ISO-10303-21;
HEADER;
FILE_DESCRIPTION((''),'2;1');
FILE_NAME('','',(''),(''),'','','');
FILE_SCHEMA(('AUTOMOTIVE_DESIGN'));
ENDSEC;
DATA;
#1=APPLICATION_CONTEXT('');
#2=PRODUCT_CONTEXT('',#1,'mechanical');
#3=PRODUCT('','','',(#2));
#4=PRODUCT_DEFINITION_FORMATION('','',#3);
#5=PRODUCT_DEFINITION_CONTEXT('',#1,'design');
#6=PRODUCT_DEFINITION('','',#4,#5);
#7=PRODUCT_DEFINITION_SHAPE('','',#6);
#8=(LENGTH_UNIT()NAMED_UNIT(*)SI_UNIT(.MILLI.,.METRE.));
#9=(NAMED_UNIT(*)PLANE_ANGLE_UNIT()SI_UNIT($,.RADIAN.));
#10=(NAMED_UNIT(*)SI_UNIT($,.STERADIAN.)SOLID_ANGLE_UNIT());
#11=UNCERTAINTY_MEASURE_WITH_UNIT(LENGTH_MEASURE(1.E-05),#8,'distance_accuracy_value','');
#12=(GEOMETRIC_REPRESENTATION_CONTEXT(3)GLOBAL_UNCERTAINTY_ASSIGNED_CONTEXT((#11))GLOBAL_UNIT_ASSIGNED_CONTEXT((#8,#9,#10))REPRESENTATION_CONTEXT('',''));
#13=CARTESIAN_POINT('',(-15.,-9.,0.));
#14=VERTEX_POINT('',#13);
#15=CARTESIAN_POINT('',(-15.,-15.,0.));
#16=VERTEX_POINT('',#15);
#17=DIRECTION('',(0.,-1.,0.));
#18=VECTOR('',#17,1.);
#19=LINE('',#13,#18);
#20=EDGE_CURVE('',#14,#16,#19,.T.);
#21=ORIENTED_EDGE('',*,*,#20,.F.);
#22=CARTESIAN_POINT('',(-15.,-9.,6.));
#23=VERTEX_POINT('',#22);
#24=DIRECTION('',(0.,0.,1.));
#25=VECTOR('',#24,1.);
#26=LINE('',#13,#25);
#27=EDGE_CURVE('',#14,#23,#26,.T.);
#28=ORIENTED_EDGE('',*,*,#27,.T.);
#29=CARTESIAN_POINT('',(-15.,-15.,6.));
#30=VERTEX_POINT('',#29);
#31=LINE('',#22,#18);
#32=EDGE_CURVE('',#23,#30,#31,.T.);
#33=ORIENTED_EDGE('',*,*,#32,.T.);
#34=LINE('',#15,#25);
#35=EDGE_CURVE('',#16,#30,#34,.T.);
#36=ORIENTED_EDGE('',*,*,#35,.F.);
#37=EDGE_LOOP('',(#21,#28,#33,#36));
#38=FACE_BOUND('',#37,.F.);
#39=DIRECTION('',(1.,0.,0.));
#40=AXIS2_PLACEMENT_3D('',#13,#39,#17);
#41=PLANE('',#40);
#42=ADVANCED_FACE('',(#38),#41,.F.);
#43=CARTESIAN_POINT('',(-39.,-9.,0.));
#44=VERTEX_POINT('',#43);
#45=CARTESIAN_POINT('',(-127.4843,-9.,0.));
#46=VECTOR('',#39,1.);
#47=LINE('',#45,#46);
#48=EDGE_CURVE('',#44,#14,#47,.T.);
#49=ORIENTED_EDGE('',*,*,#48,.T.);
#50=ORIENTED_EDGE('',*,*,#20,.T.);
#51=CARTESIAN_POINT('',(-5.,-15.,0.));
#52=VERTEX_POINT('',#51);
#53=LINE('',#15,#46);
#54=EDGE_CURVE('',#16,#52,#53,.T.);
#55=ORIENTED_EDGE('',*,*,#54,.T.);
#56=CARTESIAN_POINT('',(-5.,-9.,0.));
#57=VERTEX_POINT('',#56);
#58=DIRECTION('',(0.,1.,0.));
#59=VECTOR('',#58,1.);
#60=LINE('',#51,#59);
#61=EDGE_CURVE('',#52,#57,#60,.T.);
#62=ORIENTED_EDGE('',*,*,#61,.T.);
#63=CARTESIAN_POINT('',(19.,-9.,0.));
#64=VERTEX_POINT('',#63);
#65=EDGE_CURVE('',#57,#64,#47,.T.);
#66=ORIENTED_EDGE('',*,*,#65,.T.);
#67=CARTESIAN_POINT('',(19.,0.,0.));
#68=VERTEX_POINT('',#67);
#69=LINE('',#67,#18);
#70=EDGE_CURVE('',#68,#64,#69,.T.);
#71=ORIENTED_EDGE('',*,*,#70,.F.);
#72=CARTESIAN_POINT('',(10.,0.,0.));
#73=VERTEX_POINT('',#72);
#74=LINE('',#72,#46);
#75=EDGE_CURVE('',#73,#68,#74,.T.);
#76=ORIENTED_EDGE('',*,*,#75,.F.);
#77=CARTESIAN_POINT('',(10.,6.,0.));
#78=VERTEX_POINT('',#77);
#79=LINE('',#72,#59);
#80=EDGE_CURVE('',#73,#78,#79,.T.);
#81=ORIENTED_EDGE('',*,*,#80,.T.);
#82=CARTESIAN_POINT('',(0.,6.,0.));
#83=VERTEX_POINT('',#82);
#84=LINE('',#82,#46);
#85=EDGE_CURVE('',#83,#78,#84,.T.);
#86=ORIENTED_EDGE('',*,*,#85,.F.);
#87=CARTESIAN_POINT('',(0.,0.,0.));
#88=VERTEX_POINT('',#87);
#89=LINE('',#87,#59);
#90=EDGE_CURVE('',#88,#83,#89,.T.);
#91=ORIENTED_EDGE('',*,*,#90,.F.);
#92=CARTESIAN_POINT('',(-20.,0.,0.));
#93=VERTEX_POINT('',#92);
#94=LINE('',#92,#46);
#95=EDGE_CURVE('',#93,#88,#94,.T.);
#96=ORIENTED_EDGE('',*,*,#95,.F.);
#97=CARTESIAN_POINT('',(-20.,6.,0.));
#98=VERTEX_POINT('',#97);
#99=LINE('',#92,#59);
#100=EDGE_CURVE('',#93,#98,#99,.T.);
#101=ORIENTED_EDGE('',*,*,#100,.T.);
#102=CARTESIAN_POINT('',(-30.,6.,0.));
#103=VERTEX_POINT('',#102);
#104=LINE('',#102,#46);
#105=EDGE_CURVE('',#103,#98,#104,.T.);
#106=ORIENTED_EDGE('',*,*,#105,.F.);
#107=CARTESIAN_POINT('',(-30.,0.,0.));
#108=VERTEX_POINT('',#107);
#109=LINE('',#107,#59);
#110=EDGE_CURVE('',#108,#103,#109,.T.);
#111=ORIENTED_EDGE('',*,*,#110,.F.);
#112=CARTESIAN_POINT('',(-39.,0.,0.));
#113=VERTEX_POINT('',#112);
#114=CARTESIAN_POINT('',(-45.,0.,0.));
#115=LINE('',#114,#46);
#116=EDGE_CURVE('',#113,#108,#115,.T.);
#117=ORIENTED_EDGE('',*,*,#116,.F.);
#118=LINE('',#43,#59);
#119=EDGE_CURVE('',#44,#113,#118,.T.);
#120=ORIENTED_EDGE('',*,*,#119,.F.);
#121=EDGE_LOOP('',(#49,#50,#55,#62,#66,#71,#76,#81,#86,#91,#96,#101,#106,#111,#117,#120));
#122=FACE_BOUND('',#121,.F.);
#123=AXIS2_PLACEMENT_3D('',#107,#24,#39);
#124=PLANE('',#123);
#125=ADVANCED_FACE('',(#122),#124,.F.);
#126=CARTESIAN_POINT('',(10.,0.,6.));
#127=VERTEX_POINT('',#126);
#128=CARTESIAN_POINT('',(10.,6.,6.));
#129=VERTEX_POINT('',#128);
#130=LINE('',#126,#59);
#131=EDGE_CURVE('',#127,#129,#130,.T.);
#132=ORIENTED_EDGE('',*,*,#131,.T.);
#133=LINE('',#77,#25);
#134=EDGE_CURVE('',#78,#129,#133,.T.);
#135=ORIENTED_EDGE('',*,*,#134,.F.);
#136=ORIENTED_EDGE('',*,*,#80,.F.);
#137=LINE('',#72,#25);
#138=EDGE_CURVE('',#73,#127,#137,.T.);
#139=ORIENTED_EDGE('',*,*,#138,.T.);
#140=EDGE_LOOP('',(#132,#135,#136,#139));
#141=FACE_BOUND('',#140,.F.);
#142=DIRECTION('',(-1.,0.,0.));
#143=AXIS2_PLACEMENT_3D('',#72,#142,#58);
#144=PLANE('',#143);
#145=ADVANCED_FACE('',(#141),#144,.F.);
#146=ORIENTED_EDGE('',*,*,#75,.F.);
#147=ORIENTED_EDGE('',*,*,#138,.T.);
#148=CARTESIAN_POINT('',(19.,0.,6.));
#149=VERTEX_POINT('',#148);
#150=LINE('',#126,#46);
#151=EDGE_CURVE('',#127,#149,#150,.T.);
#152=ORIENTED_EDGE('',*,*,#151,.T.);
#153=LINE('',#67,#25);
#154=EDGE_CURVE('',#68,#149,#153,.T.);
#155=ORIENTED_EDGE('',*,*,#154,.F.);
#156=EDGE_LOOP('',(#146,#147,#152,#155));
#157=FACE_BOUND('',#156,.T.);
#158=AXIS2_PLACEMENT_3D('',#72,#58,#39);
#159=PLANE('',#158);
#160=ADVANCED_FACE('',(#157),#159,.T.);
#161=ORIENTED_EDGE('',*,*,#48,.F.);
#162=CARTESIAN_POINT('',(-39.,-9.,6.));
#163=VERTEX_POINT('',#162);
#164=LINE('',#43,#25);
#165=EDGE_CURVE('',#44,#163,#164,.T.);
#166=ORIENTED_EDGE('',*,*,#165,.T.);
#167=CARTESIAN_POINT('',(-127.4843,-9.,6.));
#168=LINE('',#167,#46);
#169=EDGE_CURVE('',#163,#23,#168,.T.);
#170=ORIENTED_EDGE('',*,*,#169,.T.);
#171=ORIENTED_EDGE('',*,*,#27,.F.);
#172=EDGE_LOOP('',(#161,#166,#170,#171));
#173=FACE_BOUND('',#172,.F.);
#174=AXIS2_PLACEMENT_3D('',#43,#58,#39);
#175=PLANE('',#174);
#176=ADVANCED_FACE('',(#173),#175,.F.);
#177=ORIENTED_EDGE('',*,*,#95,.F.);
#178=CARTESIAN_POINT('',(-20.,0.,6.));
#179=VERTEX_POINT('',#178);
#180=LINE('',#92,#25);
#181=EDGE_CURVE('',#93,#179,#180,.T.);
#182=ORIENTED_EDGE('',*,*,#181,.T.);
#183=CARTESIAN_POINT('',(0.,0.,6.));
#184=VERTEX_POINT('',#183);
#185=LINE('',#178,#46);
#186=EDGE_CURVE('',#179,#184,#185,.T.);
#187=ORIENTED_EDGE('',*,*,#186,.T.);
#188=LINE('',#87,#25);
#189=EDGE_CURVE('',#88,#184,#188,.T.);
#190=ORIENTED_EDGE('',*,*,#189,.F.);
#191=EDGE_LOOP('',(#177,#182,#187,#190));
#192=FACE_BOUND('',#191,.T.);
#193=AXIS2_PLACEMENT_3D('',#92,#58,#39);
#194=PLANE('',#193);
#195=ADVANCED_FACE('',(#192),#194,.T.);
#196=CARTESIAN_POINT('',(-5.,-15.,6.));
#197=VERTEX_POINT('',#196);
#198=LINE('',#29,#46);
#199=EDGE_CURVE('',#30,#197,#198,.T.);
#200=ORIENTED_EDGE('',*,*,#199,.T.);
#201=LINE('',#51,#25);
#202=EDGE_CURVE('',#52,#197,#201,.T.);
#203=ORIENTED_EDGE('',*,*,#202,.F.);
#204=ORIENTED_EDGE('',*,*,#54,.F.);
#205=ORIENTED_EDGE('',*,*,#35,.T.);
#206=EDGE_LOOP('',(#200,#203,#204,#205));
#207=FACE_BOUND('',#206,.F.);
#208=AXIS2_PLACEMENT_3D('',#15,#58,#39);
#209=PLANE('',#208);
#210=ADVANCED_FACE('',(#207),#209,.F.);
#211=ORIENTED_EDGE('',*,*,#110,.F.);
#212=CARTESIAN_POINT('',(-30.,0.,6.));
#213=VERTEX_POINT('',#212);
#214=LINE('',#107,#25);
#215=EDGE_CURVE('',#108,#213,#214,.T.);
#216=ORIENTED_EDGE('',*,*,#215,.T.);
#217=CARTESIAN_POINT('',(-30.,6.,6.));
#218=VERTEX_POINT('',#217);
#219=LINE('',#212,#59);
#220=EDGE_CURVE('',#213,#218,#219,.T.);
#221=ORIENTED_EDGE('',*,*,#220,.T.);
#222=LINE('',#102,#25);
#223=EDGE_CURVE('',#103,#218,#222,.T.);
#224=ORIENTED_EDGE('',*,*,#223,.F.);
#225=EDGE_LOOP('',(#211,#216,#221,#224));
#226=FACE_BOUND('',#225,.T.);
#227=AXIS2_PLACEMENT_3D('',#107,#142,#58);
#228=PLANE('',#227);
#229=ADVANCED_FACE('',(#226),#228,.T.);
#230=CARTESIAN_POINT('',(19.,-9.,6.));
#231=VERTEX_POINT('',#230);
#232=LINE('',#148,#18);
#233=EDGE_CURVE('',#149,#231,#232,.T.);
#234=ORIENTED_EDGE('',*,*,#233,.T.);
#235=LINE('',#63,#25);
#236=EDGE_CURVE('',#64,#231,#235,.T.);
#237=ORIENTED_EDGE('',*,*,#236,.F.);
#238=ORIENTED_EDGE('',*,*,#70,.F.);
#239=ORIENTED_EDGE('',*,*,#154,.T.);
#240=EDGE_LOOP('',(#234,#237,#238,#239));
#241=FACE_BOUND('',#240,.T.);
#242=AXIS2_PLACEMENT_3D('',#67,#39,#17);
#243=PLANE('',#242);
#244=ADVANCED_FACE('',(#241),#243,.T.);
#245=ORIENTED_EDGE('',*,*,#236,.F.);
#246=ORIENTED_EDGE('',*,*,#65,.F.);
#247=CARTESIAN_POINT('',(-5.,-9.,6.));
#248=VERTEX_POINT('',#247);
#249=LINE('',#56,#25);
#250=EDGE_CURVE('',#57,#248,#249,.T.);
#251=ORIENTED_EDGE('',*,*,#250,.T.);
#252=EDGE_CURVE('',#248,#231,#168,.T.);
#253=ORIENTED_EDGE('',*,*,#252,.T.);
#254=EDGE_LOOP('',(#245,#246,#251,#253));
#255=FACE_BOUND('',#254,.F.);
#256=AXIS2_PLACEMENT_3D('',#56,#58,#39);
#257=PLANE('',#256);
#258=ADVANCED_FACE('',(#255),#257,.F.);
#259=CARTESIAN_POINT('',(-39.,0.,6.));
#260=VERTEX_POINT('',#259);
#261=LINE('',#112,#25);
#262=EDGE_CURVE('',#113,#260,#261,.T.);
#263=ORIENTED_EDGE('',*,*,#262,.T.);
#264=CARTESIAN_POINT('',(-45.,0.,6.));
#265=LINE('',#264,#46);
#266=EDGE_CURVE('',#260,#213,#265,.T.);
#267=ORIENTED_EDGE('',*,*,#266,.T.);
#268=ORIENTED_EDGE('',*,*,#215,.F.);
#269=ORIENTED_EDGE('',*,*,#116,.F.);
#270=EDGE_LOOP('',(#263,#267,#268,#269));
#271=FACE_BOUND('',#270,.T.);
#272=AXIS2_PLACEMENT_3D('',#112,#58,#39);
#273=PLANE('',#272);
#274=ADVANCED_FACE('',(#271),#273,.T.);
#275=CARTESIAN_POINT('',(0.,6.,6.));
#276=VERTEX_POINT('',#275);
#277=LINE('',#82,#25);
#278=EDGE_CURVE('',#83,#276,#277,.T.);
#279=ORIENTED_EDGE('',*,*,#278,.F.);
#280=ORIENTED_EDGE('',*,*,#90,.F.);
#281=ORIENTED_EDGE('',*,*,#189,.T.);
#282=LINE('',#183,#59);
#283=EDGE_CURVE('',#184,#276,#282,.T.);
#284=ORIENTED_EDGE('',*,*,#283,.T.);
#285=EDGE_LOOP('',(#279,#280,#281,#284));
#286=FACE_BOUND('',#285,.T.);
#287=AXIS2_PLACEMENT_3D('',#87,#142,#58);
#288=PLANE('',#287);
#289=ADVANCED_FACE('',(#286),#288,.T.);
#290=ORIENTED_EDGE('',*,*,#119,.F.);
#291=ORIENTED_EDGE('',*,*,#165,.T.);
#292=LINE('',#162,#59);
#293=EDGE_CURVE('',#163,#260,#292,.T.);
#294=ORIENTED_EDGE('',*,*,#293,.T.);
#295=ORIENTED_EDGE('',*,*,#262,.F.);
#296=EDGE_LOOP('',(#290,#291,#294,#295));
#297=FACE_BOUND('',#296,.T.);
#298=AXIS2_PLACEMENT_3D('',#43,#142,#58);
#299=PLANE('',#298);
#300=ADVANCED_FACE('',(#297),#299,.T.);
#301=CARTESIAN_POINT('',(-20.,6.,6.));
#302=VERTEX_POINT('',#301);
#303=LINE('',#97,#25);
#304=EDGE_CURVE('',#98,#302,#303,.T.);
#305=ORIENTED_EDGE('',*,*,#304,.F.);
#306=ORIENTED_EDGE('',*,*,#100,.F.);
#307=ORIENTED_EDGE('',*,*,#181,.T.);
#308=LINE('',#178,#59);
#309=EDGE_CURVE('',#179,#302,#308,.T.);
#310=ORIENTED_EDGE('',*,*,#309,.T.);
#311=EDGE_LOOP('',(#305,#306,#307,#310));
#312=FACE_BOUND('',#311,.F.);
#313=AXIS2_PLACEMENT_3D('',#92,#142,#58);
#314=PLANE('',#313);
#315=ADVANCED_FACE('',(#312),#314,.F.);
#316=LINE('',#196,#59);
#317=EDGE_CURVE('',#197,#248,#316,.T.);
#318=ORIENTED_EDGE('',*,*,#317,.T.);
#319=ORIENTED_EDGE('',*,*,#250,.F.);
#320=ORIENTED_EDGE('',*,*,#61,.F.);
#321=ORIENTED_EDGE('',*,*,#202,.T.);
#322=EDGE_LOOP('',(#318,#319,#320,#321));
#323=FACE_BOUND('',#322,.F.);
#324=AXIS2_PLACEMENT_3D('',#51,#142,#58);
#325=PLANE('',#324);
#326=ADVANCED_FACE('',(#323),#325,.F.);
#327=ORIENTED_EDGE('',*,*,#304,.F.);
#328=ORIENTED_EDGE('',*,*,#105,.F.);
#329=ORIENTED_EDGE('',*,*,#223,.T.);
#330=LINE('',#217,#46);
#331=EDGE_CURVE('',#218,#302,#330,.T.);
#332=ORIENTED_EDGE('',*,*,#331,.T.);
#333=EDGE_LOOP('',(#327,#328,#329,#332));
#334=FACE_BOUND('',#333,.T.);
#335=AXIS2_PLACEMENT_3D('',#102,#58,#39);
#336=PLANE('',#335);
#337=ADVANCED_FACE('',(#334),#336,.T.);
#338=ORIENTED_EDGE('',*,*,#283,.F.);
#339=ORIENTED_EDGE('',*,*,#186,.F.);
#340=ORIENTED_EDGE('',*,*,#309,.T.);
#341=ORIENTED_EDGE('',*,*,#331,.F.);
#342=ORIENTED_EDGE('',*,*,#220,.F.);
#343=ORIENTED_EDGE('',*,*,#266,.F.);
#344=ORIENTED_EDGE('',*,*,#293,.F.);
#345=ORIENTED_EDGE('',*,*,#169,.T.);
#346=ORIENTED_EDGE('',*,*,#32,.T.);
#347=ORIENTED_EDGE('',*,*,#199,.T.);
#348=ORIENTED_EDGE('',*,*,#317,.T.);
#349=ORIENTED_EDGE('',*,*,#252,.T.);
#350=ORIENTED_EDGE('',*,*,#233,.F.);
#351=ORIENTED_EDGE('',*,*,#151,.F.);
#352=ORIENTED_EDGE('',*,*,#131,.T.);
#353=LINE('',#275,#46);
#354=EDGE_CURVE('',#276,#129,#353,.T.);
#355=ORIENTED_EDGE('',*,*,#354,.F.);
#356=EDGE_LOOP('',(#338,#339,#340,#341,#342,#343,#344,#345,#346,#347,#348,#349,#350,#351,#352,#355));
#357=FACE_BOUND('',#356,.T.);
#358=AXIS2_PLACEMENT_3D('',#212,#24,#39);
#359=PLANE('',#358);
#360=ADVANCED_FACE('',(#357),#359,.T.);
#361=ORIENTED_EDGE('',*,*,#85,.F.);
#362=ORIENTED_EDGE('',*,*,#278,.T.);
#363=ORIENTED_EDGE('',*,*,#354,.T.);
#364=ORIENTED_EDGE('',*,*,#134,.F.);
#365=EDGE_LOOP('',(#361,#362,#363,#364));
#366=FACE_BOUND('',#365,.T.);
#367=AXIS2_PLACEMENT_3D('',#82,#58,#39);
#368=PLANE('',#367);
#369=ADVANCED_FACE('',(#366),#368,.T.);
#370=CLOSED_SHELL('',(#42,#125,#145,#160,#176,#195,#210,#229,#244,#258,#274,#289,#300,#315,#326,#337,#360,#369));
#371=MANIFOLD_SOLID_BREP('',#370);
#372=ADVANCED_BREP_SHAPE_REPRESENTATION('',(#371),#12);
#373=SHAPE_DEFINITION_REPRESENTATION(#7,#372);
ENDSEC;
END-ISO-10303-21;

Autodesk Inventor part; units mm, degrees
ref_plane "YZ Plane" through (0, 0, 0) normal (1, 0, 0) x (0, 1, 0)
ref_plane "XZ Plane" through (0, 0, 0) normal (0, 1, 0) x (-1, 0, 0)
ref_plane "XY Plane" through (0, 0, 0) normal (0, 0, 1) x (1, 0, 0)
ref_plane "Work Plane1" through (-30, 0, 0) normal (0, 0, 1) x (1, 0, 0)
sketch "Sketch1" plane through (-30, 0, 0) normal (0, 0, 1) x (1, 0, 0)
  line L0 (0, 6) -> (10, 6)
  line L1 (0, 0) -> (0, 6)
  line L2 (10, 0) -> (0, 0)
  line L3 (10, 0) -> (10, 6)
  line L4 (30, 6) -> (40, 6)
  line L5 (30, 0) -> (30, 6)
  line L6 (40, 0) -> (30, 0)
  line L7 (40, 0) -> (40, 6)
  line L8 (49, 0) -> (49, -9)
  line L9 (-9, -9) -> (-9, 0)
  line L10 (-15, 0) -> (0, 0)
  line L11 (10, 0) -> (30, 0)
  line L12 (40, 0) -> (55, 0)
  line L13 (121.5157, 6) -> (-97.4843, 6)
  line L14 (-97.4843, -9) -> (121.5157, -9)
  line L15 (25, -9) -> (15, -9)
  line L16 (15, -9) -> (15, -15)
  line L17 (15, -15) -> (25, -15)
  line L18 (25, -15) -> (25, -9)
  point P0 (20, -15)
  point P1 (20, 0)
  dimension "d0" = 10
  dimension "d1" = 6
extrude "Plate1" add sketch "Sketch1" along normal blind 6 contours L0 L3 L2 L1 | L2 L11 L6 L12 L8 L14 L9 L10 | L4 L7 L6 L5 | L14 L18 L17 L16
equation "\"d2\" = Thickness"
equation "\"BendRadius\" = Thickness"
equation "\"BendReliefWidth\" = Thickness"
equation "\"BendReliefDepth\" = 0.5 * Thickness"
equation "\"CornerReliefSize\" = 4 * Thickness"
equation "\"MinimumRemnant\" = 2 * Thickness"
equation "\"TransitionRadius\" = BendRadius"
equation "\"JacobiRadiusSize\" = BendRadius"
equation "\"GapSize\" = Thickness"
equation "\"Thickness\" = 6"
properties part number "joystick buiskant" material "Wood (Birch)"
